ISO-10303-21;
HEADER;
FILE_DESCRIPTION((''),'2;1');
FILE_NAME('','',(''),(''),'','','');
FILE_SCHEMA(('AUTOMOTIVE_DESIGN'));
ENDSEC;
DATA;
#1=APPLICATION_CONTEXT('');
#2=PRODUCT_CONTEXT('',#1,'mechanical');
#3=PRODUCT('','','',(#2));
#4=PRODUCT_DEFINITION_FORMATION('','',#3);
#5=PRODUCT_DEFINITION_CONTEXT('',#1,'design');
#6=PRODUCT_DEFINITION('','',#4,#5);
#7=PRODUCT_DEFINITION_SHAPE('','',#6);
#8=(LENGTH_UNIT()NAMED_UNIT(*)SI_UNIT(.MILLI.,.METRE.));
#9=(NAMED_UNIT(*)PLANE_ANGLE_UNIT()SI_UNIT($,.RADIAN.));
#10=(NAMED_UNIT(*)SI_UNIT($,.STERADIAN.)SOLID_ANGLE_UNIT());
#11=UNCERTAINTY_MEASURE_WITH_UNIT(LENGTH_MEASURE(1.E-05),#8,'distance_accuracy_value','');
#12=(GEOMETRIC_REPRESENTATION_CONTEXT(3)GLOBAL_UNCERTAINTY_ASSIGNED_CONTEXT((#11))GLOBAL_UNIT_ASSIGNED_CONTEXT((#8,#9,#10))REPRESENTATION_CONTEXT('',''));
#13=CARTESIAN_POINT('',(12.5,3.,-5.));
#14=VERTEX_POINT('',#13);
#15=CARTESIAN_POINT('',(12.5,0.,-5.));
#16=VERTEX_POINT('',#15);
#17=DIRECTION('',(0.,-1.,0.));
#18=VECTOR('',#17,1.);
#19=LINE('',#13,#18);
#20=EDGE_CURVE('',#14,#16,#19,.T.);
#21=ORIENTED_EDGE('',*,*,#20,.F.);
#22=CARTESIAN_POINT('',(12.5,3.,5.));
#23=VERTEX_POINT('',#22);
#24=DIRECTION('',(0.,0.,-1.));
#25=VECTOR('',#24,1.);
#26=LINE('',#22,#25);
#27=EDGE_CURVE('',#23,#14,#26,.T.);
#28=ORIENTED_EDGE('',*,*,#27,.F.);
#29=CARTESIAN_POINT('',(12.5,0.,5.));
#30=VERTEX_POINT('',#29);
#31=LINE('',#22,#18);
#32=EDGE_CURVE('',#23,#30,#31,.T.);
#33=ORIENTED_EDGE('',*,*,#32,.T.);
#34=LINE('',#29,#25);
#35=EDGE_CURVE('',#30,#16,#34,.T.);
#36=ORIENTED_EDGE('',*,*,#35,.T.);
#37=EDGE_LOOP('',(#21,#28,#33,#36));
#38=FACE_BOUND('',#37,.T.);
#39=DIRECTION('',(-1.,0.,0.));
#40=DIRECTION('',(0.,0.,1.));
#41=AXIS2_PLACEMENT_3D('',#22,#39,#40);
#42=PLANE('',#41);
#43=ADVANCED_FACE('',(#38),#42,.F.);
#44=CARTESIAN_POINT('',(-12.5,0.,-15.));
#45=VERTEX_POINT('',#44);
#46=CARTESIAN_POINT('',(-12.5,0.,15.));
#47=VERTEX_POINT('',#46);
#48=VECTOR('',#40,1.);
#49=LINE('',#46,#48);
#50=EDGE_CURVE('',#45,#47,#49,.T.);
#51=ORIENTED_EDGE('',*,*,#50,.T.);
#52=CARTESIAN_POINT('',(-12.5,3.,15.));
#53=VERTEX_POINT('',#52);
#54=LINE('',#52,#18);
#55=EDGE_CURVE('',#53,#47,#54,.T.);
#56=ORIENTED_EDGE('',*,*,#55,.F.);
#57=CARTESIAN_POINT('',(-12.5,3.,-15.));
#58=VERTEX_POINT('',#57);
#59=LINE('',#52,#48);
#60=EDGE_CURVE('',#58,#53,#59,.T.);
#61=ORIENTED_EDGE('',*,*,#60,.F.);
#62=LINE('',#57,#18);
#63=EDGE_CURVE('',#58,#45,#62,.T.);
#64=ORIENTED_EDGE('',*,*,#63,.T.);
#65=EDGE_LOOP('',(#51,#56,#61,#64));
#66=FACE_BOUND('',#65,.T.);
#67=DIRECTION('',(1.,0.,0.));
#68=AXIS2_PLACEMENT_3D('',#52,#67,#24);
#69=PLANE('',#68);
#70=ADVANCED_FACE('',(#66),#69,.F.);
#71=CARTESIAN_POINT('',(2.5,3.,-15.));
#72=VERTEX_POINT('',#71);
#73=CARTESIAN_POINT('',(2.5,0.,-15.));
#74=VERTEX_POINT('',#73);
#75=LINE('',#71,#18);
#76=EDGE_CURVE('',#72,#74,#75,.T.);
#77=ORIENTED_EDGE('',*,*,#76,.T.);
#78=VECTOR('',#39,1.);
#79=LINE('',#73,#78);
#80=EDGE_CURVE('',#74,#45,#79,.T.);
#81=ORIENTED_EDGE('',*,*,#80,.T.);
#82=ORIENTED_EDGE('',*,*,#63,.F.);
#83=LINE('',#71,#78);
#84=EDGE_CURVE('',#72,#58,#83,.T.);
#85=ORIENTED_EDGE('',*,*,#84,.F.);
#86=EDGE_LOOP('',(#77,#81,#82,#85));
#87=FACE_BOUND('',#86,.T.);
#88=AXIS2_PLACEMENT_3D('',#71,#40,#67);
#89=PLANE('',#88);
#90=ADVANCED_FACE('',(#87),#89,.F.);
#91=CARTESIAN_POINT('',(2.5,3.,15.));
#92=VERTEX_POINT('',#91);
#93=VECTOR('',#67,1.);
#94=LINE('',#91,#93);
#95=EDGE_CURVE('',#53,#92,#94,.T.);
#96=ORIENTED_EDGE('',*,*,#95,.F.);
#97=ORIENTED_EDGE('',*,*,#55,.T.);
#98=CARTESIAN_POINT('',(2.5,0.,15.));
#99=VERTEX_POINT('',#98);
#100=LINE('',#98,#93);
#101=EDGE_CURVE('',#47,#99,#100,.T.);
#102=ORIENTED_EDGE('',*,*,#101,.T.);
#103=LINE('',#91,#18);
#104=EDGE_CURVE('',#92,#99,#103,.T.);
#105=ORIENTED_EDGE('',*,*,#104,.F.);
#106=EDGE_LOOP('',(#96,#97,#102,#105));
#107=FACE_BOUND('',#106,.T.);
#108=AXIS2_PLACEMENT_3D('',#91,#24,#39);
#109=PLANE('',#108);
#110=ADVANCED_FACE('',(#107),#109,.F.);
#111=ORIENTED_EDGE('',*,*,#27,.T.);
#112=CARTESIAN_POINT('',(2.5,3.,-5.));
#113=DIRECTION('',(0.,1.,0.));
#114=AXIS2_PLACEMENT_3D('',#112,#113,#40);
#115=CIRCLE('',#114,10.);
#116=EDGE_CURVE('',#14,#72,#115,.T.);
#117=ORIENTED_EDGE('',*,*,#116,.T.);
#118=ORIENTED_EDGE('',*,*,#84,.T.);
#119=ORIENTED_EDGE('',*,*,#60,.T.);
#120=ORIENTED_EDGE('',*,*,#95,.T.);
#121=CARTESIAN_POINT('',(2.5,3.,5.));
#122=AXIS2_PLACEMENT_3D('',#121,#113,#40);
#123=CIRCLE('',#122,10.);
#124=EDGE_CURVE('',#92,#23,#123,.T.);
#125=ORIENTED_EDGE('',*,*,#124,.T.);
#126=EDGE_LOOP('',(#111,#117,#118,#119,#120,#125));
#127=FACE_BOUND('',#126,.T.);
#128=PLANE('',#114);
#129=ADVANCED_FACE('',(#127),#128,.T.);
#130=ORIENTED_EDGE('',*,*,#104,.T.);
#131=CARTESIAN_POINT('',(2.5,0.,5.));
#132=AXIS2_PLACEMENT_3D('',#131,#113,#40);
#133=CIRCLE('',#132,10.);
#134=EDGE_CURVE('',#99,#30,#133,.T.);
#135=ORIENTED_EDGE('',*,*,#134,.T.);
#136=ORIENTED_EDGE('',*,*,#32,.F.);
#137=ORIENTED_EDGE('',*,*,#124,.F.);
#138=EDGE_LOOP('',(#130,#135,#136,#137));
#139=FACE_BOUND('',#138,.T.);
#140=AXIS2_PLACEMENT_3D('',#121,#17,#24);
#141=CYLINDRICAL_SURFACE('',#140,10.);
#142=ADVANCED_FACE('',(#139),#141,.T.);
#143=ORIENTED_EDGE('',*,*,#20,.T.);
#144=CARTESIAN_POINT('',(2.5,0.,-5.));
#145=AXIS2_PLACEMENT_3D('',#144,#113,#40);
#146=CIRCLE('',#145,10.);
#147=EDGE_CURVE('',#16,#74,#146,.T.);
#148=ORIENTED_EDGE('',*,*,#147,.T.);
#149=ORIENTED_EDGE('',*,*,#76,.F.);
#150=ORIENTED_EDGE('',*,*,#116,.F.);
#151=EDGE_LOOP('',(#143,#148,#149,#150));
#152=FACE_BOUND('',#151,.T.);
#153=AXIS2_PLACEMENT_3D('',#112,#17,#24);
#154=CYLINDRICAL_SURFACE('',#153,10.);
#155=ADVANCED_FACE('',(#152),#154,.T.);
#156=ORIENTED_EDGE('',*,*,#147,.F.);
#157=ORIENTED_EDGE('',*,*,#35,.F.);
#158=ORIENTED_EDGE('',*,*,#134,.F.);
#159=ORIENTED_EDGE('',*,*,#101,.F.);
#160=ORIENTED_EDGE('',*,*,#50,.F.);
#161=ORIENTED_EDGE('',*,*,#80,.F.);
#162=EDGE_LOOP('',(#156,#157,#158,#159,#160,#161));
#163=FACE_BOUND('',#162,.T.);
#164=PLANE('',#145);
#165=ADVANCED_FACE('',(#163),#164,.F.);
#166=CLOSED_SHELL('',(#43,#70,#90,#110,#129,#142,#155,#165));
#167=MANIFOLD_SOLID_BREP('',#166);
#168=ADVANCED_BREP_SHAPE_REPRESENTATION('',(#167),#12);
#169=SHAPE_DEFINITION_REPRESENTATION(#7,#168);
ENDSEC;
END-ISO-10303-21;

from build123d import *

# Parameters (mm, degrees)
BOSS_EXTRUDE1_DEPTH = 3


with BuildPart() as part:
    # Sketch1 → Boss-Extrude1 (new body)
    with BuildSketch(Plane(origin=(0, 0, 0), x_dir=(1, 0, 0), z_dir=(0, 1, 0))):
        with BuildLine():
            Line((2.5, -15), (-12.5, -15))
            Line((-12.5, -15), (-12.5, 15))
            Line((-12.5, 15), (2.5, 15))
            ThreePointArc((2.5, 15), (9.571067812, 12.071067812), (12.5, 5))
            Line((12.5, 5), (12.5, -5))
            ThreePointArc((12.5, -5), (9.571067812, -12.071067812), (2.5, -15))
        make_face()
    extrude(amount=BOSS_EXTRUDE1_DEPTH)


solid = part.part
